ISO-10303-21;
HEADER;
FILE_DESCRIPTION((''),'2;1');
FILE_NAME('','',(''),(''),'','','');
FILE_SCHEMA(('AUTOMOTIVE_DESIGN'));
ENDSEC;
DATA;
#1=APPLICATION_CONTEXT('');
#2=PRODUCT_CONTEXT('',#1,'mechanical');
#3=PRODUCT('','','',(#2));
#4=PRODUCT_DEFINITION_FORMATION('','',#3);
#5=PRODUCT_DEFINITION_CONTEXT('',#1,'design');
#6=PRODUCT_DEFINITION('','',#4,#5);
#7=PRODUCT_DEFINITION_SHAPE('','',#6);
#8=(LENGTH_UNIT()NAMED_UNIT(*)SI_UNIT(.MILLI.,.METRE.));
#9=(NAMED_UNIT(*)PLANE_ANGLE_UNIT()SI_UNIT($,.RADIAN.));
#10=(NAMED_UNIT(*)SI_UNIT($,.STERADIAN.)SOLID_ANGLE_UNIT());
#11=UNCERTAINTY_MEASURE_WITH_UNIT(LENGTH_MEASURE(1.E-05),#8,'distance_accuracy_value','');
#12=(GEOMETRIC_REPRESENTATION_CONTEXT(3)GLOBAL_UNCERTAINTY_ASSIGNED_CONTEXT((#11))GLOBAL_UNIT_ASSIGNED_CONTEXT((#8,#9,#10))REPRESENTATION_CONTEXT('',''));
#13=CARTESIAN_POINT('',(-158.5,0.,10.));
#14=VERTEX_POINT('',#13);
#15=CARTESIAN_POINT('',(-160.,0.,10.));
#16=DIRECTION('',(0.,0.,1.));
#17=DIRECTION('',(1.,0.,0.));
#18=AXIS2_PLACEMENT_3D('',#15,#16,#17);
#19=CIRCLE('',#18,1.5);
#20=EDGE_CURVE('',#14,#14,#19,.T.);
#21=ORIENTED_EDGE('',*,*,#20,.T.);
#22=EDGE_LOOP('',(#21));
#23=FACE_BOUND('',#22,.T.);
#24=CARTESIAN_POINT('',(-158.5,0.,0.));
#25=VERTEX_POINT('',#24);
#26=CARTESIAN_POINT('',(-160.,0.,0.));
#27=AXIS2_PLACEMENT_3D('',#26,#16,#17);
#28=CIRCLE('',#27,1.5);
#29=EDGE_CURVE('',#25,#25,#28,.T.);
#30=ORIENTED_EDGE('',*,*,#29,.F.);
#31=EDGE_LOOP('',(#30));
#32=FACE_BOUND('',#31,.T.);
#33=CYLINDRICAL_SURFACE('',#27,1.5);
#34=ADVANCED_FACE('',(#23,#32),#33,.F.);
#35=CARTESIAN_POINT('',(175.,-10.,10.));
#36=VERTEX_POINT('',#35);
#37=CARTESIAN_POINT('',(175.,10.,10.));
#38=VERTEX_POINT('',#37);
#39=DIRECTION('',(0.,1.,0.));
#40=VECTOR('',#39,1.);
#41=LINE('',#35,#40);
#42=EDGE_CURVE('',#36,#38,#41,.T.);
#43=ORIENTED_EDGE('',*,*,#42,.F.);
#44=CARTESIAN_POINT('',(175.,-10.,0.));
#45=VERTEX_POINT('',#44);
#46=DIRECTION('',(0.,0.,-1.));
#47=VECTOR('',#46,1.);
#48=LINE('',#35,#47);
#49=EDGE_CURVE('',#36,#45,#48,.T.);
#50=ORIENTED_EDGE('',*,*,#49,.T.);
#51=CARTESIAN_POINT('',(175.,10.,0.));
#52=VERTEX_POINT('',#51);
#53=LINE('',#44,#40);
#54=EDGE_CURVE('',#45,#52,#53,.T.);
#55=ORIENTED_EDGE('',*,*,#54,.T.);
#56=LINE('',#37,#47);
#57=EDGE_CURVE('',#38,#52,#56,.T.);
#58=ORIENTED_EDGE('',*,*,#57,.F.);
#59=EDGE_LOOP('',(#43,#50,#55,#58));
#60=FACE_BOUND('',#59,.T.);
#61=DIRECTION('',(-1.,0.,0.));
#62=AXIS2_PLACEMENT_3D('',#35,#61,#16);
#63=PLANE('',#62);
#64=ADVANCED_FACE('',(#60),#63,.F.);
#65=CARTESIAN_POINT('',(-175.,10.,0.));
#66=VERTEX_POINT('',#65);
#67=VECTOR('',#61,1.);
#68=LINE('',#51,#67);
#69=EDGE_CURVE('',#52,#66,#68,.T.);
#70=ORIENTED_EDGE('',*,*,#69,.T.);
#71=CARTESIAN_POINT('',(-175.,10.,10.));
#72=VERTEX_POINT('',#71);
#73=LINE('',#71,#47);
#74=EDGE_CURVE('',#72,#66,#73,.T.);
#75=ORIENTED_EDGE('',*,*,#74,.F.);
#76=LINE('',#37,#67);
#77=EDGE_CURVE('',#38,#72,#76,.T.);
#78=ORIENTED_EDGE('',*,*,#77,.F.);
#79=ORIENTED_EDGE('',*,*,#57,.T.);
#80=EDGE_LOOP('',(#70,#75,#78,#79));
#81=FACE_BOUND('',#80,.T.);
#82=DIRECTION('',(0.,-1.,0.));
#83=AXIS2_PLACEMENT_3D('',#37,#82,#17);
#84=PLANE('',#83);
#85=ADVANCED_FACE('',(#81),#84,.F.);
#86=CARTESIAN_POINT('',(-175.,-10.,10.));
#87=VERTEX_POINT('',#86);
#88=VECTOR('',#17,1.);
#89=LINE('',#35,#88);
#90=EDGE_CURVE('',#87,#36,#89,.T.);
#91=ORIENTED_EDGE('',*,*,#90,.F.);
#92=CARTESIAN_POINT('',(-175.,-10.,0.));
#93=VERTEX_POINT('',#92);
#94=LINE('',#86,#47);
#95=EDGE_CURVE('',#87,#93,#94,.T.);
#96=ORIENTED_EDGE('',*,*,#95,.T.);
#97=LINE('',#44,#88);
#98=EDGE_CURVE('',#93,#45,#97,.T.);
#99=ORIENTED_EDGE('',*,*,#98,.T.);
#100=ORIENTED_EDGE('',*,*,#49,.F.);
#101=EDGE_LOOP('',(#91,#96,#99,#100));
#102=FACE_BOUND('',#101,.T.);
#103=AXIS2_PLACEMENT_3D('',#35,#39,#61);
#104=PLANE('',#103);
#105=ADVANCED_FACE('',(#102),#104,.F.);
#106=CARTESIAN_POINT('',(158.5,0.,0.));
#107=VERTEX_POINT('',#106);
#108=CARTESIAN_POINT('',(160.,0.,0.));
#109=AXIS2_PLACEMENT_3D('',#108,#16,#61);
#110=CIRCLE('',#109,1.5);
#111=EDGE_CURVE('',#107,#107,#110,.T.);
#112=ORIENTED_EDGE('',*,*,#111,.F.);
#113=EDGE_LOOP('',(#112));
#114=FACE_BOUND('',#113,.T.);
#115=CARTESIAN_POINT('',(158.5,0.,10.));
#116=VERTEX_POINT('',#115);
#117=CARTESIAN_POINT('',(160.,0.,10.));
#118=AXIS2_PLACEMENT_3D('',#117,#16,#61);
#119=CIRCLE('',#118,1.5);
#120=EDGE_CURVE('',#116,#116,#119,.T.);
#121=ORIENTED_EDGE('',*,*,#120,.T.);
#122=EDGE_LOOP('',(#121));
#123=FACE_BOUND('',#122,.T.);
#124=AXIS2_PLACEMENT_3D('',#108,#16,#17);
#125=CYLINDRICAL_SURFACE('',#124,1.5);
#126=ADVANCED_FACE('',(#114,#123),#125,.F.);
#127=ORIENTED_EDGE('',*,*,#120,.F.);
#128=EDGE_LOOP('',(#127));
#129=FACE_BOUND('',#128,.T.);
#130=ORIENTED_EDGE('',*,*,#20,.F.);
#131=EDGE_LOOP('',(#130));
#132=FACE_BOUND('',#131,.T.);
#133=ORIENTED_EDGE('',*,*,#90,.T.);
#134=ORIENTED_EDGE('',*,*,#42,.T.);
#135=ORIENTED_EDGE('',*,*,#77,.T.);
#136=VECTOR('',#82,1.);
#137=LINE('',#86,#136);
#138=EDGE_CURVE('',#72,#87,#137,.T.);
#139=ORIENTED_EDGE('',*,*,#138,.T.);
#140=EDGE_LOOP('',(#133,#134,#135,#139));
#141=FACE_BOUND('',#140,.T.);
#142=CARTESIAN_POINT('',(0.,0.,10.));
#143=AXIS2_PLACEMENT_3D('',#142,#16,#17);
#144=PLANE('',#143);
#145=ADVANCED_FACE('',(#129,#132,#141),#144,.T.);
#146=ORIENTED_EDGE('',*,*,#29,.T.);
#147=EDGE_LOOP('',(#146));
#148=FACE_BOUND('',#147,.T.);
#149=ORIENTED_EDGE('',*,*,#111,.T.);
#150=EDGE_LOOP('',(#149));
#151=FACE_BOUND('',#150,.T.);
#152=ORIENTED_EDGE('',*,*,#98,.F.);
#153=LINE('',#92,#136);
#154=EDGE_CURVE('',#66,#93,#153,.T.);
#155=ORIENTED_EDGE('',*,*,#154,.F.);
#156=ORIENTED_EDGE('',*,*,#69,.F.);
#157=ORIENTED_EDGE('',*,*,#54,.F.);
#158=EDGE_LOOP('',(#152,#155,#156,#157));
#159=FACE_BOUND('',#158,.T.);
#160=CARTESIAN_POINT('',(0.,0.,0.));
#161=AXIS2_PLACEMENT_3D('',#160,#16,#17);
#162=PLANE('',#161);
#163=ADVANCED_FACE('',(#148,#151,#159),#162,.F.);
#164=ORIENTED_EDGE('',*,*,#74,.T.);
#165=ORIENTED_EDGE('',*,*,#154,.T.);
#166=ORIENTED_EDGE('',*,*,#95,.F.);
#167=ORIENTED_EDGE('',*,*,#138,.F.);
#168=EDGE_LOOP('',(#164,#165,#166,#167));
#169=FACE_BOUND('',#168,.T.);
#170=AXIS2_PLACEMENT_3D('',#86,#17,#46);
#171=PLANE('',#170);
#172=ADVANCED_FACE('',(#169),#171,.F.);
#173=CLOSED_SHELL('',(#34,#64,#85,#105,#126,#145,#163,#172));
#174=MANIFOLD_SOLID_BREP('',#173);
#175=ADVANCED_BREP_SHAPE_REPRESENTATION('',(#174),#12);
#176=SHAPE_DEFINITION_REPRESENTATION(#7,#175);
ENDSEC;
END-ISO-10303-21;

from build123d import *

# Parameters (mm, degrees)
SKETCH1_W           = 350
SKETCH1_H           = 20
BOSS_EXTRUDE1_DEPTH = 10
SKETCH2_R           = 1.5
CUT_EXTRUDE1_DEPTH  = 176.570498661


with BuildPart() as part:
    # Sketch1 → Boss-Extrude1 (new body)
    with BuildSketch(Plane.XY):
        Rectangle(SKETCH1_W, SKETCH1_H)
    extrude(amount=BOSS_EXTRUDE1_DEPTH)

    # Sketch2 → Cut-Extrude1 (cut, through all)
    with BuildSketch(Plane.XY.offset(10)):
        with Locations((-160, 0)):
            Circle(SKETCH2_R)
        with Locations(Location((160, 0, 0), (0, 0, 180))):
            Circle(SKETCH2_R)
    extrude(amount=-CUT_EXTRUDE1_DEPTH, mode=Mode.SUBTRACT)


solid = part.part
